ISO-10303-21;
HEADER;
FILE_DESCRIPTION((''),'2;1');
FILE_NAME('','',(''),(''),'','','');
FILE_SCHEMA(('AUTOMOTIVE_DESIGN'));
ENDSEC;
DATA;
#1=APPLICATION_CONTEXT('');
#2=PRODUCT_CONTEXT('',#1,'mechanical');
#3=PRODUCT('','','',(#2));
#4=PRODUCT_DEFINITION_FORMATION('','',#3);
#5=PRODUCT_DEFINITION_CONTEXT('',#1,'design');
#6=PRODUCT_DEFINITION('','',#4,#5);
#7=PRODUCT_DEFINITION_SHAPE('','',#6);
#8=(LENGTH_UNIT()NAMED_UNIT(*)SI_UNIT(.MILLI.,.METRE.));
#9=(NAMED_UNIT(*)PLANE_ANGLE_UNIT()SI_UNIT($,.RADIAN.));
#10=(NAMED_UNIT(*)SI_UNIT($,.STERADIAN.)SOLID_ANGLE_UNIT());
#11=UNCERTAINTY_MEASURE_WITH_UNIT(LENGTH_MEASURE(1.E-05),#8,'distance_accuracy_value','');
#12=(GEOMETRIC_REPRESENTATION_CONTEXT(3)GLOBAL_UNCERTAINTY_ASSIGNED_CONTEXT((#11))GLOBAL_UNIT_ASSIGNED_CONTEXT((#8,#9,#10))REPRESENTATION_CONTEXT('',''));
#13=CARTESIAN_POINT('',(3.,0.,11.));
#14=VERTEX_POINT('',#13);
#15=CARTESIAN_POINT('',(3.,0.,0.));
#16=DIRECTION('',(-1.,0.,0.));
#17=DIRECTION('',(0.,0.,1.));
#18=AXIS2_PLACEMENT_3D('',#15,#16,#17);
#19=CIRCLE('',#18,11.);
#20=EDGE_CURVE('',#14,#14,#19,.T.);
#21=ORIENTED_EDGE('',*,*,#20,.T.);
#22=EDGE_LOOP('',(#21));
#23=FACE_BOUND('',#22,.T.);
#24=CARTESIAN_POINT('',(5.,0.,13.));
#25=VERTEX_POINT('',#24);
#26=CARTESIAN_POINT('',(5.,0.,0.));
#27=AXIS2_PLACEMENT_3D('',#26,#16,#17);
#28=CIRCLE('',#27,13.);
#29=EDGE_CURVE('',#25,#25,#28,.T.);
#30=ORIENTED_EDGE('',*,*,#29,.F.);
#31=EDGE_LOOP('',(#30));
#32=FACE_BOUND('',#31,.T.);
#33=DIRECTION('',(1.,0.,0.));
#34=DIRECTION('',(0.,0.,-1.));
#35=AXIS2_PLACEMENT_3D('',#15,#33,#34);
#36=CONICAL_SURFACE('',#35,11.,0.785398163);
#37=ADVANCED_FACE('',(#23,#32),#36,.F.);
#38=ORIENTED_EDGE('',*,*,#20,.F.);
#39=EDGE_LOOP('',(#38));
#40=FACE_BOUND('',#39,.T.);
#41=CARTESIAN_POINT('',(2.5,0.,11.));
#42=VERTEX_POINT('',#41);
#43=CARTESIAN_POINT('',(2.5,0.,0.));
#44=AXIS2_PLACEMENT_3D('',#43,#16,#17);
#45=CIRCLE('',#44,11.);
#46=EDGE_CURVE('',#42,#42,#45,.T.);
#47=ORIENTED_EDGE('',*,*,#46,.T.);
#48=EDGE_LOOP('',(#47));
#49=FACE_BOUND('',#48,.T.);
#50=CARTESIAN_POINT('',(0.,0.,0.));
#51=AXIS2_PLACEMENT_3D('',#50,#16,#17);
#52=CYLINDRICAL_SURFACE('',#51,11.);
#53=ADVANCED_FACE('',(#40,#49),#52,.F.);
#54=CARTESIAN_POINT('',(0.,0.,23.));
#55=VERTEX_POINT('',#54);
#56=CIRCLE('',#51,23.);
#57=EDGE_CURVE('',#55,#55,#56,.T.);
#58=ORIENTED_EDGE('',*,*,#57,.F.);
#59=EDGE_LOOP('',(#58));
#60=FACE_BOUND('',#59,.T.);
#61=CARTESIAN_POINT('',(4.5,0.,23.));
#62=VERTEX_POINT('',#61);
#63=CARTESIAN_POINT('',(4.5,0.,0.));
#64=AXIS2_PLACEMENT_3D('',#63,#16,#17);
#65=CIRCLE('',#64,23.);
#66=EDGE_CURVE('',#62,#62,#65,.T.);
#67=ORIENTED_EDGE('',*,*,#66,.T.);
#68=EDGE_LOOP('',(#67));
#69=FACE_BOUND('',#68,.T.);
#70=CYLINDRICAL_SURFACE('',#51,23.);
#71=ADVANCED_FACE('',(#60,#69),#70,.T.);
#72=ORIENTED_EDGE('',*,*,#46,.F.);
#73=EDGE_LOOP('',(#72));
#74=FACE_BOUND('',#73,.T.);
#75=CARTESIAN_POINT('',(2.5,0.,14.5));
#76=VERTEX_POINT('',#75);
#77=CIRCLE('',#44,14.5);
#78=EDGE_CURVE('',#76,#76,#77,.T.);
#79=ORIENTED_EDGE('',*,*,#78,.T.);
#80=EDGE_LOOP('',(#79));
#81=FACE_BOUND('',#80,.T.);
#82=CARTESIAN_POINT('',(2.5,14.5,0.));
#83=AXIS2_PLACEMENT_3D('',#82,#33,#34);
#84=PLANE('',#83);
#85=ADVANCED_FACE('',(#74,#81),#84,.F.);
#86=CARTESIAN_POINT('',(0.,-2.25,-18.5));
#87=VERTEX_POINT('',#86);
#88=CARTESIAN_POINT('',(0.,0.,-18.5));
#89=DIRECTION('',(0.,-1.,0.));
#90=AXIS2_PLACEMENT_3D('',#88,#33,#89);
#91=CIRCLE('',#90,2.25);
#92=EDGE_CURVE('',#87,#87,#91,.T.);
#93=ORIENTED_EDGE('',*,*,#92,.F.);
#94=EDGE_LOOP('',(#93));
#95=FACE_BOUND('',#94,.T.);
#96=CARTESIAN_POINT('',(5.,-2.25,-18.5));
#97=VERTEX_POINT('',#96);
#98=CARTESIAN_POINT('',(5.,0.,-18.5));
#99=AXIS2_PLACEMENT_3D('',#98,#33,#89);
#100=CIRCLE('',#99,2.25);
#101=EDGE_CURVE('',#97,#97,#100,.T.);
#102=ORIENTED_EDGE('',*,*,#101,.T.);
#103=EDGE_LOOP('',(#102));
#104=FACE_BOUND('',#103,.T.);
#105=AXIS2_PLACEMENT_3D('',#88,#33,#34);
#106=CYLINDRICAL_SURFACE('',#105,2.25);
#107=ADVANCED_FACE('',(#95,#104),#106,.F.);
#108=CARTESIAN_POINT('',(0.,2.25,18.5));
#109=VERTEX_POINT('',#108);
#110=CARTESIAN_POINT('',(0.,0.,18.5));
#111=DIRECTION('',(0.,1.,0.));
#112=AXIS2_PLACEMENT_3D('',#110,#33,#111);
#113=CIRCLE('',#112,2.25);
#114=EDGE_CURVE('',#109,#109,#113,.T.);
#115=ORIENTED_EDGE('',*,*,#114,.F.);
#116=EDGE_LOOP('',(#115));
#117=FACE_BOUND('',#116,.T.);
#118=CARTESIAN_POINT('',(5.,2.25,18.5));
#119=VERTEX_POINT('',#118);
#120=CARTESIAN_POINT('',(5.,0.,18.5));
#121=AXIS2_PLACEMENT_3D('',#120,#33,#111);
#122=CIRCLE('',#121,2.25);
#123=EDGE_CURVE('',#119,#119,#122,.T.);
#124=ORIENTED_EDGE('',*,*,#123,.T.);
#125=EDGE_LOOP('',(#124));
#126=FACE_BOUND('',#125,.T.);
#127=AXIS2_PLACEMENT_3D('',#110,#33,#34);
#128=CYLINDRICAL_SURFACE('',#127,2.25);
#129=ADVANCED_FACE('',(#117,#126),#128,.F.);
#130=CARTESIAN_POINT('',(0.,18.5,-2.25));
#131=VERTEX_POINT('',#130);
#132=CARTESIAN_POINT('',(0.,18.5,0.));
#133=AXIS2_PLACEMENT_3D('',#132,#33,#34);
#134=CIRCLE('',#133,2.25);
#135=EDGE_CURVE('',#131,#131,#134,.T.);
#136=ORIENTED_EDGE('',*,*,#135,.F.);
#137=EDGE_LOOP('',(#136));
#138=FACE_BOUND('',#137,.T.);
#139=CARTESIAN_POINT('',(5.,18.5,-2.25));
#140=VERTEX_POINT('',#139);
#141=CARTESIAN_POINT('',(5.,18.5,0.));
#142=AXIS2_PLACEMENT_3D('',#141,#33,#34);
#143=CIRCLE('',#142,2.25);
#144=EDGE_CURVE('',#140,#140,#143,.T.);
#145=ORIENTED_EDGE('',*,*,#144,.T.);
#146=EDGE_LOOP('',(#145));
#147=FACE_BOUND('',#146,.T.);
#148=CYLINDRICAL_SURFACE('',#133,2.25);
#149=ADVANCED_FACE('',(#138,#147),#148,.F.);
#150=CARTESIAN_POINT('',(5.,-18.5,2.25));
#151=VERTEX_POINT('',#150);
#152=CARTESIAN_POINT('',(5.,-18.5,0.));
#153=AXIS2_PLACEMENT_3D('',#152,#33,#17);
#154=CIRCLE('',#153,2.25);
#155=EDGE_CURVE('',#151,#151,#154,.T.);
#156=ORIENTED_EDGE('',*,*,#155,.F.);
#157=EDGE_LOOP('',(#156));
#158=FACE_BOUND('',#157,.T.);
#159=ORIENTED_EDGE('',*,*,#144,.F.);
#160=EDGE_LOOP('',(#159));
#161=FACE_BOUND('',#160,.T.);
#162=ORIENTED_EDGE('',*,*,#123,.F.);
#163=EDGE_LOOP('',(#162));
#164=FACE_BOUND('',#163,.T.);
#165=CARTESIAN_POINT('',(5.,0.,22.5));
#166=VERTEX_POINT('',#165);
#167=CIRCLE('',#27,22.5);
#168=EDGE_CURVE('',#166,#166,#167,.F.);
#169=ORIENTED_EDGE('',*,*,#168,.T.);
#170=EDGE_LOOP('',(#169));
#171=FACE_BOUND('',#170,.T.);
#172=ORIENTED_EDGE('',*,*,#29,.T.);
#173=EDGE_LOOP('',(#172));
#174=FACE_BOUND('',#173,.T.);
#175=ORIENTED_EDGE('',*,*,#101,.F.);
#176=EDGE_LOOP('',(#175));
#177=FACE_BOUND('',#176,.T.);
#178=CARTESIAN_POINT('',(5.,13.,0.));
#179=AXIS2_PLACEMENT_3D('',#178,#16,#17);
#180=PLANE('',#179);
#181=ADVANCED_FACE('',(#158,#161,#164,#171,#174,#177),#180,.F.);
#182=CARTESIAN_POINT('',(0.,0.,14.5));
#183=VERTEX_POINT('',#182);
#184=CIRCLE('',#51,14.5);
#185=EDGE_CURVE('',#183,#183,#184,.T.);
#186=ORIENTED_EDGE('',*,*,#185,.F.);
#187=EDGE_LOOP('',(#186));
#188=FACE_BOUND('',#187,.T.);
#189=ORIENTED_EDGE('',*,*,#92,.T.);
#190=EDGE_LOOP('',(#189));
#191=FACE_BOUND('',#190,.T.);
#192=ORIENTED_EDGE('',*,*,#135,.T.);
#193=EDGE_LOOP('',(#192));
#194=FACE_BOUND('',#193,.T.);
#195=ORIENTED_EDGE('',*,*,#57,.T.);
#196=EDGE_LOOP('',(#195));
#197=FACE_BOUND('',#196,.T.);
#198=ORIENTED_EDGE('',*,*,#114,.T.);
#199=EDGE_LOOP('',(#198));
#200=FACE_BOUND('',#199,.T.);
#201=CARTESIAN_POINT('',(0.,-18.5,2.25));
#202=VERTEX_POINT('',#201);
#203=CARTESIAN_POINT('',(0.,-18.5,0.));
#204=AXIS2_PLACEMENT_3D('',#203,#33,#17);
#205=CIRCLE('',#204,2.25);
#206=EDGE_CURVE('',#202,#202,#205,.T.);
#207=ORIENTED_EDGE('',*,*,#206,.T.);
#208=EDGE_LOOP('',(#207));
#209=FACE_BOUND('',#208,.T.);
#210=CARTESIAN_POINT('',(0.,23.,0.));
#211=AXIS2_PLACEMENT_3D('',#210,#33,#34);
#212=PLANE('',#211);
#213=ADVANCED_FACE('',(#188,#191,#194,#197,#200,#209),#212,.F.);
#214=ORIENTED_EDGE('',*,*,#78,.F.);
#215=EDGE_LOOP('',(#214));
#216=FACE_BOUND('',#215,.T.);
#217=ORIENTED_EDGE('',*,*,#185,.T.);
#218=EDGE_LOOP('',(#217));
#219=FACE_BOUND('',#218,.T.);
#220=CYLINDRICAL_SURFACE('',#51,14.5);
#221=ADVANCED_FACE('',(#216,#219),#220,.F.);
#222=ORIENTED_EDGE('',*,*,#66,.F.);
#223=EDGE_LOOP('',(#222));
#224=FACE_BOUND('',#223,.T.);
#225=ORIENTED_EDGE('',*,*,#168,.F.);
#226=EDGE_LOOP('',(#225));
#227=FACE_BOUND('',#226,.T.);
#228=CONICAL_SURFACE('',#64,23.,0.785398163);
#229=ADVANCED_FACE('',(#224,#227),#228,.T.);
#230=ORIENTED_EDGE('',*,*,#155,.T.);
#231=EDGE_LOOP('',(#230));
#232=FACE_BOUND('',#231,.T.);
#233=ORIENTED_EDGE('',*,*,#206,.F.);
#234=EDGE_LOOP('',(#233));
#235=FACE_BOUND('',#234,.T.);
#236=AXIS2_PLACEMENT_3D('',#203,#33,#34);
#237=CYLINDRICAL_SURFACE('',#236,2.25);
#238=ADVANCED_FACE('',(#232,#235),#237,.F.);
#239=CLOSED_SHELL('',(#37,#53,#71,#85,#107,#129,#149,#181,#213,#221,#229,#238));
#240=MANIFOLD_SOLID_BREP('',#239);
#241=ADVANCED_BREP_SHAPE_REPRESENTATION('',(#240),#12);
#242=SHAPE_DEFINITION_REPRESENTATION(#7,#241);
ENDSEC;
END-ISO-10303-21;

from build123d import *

# Parameters (mm, degrees)
SKETCH_2_R               = 2.25
CUT_EXTRUDE_1_DEPTH      = 33.908965344
PATTERN_CIRCULAR_1_COUNT = 4
CHAMFER_1_SIZE           = 0.5


with BuildPart() as part:
    # Эскиз1 → Повернуть1 (revolve)
    with BuildSketch(Plane.XY, mode=Mode.PRIVATE) as revolve_1_sk:
        Polygon((0, 23), (0, 14.5), (2.5, 14.5), (2.5, 11), (3, 11), (5, 13), (5, 23), align=None)
    revolve(revolve_1_sk.sketch.rotate(Axis((0, 0, 0), (1, 0, 0)), 90), axis=Axis((0, 0, 0), (1, 0, 0)))

    # Эскиз2 → Вырез-Вытянуть1 (cut, through all)
    with BuildSketch(Plane(origin=(5, 0, 0), x_dir=(0, 0, -1), z_dir=(1, 0, 0))):
        with Locations((0, 18.5)):
            Circle(SKETCH_2_R)
    cut_extrude_1 = extrude(amount=-CUT_EXTRUDE_1_DEPTH, mode=Mode.SUBTRACT)

    # Круговой массив1: Вырез-Вытянуть1 ×4 about axis
    pattern_circular_1_axis = Axis((0, 0, 0), (1, 0, 0))
    for i in range(1, PATTERN_CIRCULAR_1_COUNT):
        add(cut_extrude_1.rotate(pattern_circular_1_axis, i * 360 / PATTERN_CIRCULAR_1_COUNT), mode=Mode.SUBTRACT)

    # Фаска1
    chamfer_1_edges = [part.edges().sort_by_distance(p)[0] for p in [
        (5, 0, -23),
    ]]
    chamfer(chamfer_1_edges, length=CHAMFER_1_SIZE)


solid = part.part
